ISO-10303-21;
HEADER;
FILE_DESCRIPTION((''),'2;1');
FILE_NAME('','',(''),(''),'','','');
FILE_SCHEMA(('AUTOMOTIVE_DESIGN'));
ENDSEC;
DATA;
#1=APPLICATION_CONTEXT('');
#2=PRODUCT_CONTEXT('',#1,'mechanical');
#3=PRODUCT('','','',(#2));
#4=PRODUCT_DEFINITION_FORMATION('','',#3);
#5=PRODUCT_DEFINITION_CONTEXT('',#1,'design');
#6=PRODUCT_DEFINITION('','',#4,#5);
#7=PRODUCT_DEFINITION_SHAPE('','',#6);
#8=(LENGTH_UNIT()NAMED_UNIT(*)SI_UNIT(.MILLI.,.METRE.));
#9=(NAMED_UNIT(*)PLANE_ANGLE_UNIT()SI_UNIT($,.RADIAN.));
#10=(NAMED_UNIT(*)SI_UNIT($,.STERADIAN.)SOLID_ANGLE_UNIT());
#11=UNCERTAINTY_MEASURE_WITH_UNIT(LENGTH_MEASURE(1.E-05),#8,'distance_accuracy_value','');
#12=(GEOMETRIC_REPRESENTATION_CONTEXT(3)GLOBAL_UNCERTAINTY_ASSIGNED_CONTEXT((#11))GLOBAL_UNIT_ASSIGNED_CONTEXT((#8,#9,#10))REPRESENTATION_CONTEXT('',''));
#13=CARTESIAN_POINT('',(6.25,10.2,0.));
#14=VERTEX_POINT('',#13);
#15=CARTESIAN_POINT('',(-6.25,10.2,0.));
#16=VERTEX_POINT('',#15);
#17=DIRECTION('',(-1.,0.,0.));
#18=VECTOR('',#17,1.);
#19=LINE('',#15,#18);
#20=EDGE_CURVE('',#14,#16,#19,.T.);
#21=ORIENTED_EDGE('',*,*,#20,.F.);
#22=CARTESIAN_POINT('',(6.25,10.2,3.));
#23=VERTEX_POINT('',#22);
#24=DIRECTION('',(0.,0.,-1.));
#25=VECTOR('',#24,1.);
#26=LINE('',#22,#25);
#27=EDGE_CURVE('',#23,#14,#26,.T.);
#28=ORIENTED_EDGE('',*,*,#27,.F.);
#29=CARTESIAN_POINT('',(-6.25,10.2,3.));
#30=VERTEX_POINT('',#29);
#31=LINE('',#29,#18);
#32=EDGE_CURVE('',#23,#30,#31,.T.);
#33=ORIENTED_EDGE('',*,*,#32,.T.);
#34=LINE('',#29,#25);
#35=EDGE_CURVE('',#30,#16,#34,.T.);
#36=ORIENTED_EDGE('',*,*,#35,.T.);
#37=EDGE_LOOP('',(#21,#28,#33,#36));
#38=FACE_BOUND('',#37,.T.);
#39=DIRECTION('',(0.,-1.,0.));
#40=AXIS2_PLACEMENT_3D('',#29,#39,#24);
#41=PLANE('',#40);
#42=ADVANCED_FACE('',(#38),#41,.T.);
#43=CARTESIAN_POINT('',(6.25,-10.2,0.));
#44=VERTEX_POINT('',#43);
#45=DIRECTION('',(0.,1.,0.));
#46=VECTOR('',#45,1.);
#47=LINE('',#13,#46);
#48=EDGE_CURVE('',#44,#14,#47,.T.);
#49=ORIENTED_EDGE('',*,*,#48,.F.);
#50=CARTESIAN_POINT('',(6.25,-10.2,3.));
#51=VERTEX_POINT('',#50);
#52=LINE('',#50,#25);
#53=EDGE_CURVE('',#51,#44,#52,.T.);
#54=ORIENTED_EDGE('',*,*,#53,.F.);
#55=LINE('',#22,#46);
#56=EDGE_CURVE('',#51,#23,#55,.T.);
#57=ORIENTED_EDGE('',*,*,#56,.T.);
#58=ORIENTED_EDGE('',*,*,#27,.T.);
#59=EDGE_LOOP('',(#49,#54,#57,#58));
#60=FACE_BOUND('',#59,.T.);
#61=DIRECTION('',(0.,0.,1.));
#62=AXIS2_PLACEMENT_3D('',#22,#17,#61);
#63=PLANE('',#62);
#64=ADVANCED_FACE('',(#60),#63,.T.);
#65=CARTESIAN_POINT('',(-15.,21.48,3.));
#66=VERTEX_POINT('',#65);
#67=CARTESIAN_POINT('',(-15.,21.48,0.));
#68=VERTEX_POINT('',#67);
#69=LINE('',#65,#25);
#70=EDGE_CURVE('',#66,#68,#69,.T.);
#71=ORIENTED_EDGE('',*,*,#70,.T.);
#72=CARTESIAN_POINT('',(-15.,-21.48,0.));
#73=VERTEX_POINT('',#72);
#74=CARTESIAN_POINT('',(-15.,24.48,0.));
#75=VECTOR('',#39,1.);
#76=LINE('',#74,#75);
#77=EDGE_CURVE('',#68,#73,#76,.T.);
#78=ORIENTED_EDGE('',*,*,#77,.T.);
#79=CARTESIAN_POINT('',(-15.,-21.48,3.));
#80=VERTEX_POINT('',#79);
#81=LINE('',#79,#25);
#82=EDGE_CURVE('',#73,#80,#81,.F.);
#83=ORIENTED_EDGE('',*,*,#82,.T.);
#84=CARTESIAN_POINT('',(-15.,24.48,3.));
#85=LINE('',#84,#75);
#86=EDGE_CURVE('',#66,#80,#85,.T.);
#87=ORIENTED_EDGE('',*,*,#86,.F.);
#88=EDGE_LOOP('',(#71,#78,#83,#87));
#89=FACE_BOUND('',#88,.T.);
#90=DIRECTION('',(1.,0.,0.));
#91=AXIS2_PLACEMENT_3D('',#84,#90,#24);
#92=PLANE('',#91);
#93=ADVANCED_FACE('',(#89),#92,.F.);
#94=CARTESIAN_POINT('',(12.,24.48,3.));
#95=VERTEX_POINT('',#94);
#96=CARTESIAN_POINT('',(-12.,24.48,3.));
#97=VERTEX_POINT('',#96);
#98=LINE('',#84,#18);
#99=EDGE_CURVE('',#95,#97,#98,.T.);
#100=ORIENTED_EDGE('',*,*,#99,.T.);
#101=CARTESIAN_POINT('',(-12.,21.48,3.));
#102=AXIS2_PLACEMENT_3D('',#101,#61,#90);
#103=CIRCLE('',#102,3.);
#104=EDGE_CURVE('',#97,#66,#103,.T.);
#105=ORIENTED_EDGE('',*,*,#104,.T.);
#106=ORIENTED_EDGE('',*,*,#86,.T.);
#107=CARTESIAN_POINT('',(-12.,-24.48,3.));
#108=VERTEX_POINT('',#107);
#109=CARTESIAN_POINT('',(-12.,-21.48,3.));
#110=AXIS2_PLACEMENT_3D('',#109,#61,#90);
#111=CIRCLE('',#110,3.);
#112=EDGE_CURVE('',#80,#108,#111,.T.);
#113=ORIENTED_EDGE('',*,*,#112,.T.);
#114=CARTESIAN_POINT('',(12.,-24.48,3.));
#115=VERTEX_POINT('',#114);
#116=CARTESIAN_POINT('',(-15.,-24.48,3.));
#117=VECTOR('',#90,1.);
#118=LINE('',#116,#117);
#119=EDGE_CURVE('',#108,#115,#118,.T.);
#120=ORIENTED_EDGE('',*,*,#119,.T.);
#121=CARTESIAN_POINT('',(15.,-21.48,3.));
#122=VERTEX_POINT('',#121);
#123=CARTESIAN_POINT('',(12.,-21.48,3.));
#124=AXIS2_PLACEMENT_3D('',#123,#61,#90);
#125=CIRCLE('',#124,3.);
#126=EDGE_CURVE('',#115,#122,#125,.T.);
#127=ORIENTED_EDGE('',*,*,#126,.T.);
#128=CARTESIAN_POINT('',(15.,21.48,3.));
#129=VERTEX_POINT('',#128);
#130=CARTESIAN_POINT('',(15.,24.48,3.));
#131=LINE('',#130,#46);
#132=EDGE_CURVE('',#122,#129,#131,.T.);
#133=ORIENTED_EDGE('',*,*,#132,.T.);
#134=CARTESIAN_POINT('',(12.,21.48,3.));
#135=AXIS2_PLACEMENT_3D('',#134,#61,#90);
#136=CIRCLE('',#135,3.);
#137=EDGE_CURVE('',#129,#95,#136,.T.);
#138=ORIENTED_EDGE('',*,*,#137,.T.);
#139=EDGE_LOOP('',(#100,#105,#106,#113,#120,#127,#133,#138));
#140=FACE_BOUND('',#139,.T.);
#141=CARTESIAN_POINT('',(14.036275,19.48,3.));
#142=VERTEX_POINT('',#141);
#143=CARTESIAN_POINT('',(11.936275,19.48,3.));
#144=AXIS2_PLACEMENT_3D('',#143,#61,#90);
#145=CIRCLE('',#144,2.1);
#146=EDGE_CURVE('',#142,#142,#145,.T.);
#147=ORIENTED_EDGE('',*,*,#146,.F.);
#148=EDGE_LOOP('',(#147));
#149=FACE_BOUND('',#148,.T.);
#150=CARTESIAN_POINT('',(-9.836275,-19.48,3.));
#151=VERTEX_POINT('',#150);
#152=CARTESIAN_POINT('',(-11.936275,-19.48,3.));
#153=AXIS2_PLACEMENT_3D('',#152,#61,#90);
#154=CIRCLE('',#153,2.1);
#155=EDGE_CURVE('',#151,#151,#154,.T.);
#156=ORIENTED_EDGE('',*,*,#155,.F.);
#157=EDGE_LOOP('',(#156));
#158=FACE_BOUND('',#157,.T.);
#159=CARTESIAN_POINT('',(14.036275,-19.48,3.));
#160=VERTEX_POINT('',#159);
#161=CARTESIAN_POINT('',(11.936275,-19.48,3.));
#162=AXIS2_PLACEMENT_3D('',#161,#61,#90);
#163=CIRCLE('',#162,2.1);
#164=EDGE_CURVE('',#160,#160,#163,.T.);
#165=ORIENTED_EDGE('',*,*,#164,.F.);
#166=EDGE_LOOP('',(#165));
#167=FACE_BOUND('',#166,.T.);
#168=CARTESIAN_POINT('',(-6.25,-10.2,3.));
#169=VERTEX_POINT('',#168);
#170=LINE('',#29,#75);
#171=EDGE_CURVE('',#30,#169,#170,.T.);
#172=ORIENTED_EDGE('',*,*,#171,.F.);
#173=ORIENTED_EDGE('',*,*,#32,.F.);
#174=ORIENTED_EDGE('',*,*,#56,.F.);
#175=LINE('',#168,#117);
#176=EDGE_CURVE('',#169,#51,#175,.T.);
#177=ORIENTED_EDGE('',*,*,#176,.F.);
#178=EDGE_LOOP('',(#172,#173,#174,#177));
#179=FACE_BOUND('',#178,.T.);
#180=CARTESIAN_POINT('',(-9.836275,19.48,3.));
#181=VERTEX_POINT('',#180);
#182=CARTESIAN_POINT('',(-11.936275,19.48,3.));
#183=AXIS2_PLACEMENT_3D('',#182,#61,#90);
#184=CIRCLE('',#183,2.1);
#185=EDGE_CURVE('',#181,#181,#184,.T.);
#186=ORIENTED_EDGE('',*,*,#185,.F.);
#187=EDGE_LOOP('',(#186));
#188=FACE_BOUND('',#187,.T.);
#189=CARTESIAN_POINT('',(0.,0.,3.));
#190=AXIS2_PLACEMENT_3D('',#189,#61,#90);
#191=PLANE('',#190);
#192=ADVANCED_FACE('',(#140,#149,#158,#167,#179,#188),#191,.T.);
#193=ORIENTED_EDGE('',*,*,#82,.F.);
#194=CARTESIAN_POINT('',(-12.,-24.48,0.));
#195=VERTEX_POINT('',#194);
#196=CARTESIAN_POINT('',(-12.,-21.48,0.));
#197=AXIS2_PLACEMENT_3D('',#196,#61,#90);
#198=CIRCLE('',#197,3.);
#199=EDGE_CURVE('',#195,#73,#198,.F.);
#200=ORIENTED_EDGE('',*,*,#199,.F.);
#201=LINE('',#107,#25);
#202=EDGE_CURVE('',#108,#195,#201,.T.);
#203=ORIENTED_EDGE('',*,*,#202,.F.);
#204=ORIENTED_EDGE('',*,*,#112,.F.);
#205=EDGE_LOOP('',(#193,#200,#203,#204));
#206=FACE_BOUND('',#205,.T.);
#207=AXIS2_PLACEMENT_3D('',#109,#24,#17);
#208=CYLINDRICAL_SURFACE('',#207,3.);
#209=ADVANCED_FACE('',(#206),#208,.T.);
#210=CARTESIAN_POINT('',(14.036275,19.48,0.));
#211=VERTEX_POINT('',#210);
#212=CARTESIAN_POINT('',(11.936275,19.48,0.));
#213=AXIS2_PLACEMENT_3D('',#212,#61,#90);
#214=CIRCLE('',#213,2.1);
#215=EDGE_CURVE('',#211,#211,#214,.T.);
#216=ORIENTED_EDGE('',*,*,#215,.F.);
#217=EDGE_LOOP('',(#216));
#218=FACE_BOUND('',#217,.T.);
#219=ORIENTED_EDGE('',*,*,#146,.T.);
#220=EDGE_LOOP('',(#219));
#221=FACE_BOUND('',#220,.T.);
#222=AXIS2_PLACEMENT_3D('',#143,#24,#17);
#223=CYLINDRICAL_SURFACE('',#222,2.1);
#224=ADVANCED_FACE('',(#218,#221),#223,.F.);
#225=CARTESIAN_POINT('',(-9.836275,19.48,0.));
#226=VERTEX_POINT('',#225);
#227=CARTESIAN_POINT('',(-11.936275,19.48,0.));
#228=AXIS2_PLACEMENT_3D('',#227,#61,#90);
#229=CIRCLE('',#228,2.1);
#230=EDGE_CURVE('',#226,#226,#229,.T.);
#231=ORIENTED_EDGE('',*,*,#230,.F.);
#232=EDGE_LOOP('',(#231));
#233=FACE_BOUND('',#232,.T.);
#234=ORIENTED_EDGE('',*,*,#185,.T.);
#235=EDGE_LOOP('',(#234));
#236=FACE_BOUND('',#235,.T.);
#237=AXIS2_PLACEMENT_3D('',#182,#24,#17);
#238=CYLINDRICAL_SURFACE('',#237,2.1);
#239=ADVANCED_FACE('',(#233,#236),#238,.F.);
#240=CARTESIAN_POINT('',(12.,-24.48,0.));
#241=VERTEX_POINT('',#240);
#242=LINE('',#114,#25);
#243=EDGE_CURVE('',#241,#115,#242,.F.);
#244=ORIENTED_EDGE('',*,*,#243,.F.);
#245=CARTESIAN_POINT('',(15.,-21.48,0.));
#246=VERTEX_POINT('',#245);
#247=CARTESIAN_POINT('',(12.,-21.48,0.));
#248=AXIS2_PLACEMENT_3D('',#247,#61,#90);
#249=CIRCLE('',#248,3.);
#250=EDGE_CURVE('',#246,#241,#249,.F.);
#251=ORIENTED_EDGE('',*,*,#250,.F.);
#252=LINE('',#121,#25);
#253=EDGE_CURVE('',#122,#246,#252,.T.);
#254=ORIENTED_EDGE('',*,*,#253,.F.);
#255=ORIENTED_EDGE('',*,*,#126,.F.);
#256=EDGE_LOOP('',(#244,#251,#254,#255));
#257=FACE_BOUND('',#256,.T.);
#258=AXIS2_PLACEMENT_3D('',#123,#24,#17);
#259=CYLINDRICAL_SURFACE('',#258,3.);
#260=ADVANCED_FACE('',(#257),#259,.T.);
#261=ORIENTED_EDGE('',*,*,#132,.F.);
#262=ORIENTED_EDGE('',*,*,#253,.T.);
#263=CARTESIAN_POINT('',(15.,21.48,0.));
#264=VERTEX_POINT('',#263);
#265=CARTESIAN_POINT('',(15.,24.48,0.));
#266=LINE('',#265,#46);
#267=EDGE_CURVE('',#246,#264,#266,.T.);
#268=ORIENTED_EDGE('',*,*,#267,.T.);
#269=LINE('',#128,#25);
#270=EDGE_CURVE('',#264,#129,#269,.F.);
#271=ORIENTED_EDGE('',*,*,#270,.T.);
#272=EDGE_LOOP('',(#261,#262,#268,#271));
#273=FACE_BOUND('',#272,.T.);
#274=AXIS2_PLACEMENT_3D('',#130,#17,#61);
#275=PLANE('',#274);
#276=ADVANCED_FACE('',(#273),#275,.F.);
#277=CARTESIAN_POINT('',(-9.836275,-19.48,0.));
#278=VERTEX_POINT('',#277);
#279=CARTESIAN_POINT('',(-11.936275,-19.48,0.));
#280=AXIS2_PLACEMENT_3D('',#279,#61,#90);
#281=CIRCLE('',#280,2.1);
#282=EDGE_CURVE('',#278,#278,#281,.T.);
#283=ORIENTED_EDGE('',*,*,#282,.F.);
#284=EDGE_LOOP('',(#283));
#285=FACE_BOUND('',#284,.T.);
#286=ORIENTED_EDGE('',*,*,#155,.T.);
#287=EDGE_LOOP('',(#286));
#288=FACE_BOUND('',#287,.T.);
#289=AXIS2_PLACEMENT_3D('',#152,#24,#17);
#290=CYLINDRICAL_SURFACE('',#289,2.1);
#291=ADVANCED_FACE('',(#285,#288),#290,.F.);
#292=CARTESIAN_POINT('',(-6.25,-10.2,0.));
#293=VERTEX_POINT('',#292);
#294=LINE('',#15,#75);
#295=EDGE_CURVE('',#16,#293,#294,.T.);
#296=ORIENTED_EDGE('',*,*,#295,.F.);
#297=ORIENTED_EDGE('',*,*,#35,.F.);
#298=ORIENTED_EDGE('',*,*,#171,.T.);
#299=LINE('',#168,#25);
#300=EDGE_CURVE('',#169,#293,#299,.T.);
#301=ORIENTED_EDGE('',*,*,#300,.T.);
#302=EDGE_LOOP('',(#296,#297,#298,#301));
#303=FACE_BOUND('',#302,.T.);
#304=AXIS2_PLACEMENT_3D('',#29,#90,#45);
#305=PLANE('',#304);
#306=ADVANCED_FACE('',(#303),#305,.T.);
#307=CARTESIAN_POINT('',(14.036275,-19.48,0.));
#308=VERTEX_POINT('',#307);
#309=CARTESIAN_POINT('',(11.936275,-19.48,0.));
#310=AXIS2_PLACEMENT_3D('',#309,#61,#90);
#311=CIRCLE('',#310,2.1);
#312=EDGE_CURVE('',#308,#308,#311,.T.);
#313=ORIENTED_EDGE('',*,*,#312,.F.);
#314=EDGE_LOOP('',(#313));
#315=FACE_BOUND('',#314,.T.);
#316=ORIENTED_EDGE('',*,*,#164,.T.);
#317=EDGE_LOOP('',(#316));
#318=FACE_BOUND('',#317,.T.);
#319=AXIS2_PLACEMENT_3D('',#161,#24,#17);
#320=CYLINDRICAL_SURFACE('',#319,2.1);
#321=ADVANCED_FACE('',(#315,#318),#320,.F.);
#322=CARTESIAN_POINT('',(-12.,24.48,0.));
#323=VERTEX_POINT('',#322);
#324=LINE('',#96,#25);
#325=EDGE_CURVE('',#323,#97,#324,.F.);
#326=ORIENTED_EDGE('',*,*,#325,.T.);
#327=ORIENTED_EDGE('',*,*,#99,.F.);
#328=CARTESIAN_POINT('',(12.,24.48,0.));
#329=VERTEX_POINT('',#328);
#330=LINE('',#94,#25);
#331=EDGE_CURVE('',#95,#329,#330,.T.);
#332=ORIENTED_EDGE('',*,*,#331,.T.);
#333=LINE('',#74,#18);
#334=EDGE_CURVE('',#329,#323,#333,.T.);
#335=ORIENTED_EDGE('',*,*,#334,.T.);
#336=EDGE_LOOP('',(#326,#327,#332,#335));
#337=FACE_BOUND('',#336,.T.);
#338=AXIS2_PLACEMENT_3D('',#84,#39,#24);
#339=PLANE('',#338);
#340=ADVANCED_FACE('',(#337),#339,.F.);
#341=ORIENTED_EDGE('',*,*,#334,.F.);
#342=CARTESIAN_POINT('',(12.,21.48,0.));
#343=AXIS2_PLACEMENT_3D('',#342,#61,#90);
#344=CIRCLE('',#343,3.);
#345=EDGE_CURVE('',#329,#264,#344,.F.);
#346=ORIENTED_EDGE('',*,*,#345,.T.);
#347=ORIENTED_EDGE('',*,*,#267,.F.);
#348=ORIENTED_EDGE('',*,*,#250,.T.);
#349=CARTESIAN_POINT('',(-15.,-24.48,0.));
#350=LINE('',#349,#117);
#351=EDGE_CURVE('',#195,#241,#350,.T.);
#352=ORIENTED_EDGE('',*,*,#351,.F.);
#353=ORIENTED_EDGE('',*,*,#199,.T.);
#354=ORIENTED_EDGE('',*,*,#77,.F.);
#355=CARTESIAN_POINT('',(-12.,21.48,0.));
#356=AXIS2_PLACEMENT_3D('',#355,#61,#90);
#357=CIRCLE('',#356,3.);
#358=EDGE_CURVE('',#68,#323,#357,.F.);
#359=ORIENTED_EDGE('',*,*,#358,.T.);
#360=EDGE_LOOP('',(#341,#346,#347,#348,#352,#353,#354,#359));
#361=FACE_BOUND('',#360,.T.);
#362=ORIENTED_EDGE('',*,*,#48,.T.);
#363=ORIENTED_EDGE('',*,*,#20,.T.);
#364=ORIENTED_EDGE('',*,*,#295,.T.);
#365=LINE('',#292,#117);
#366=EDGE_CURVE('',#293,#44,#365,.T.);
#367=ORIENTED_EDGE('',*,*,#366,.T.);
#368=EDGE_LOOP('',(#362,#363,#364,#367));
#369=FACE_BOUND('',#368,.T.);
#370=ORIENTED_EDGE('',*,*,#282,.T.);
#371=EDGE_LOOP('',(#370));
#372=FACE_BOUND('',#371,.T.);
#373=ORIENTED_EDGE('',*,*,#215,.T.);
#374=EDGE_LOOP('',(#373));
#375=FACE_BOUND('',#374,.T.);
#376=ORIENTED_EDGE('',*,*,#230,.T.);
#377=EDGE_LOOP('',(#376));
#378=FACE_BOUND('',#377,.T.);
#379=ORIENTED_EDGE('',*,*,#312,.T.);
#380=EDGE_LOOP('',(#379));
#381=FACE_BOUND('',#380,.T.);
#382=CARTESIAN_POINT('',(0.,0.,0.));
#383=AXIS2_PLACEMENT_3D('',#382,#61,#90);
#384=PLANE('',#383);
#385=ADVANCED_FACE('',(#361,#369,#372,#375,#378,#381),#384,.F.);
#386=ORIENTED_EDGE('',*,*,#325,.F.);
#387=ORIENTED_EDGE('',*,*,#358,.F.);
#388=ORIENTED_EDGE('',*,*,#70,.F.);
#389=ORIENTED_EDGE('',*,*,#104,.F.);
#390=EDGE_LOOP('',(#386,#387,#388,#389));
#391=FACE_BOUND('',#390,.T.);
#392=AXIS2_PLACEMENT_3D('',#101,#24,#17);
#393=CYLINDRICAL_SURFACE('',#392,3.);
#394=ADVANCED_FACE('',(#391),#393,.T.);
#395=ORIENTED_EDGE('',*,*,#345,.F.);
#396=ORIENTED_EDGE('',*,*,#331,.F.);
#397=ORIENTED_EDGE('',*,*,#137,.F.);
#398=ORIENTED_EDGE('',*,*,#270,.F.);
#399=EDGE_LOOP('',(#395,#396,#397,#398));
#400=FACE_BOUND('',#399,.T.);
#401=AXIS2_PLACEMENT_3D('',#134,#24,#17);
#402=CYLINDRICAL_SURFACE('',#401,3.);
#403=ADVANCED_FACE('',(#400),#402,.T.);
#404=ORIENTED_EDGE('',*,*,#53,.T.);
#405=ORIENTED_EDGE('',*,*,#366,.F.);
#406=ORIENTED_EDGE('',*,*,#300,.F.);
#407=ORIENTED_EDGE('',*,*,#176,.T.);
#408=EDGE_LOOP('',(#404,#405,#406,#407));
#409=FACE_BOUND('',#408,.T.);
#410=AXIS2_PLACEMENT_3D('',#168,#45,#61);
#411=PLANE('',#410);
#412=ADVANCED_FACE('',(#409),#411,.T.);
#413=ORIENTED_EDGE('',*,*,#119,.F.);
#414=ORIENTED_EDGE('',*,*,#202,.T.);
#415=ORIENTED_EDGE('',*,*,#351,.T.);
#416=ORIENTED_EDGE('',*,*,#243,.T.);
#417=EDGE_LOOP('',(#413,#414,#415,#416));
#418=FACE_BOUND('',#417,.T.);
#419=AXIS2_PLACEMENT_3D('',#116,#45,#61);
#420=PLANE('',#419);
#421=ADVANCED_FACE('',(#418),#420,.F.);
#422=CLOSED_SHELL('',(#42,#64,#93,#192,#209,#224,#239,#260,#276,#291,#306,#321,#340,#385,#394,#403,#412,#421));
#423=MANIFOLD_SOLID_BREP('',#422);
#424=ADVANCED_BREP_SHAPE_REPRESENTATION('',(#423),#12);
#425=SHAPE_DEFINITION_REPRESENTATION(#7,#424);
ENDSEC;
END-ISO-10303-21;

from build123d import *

# Parameters (mm, degrees)
SKETCH1_W           = 30
SKETCH1_H           = 48.96
SKETCH1_R           = 2.1
SKETCH1_W_2         = 12.5
SKETCH1_H_2         = 20.4
BOSS_EXTRUDE1_DEPTH = 3
FILLET1_R           = 3


with BuildPart() as part:
    # Sketch1 → Boss-Extrude1 (new body)
    with BuildSketch(Plane.XY):
        Rectangle(SKETCH1_W, SKETCH1_H)
        with Locations((-11.93627451, 19.48)):
            Circle(SKETCH1_R, mode=Mode.SUBTRACT)
        with Locations((11.93627451, 19.48)):
            Circle(SKETCH1_R, mode=Mode.SUBTRACT)
        with Locations((11.93627451, -19.48)):
            Circle(SKETCH1_R, mode=Mode.SUBTRACT)
        with Locations((-11.93627451, -19.48)):
            Circle(SKETCH1_R, mode=Mode.SUBTRACT)
        Rectangle(SKETCH1_W_2, SKETCH1_H_2, mode=Mode.SUBTRACT)
    extrude(amount=BOSS_EXTRUDE1_DEPTH)

    # Fillet1
    fillet1_edges = [part.edges().sort_by_distance(p)[0] for p in [
        (15, -24.48, 1.5),
        (-15, -24.48, 1.5),
        (-15, 24.48, 1.5),
        (15, 24.48, 1.5),
    ]]
    fillet(fillet1_edges, radius=FILLET1_R)


solid = part.part
